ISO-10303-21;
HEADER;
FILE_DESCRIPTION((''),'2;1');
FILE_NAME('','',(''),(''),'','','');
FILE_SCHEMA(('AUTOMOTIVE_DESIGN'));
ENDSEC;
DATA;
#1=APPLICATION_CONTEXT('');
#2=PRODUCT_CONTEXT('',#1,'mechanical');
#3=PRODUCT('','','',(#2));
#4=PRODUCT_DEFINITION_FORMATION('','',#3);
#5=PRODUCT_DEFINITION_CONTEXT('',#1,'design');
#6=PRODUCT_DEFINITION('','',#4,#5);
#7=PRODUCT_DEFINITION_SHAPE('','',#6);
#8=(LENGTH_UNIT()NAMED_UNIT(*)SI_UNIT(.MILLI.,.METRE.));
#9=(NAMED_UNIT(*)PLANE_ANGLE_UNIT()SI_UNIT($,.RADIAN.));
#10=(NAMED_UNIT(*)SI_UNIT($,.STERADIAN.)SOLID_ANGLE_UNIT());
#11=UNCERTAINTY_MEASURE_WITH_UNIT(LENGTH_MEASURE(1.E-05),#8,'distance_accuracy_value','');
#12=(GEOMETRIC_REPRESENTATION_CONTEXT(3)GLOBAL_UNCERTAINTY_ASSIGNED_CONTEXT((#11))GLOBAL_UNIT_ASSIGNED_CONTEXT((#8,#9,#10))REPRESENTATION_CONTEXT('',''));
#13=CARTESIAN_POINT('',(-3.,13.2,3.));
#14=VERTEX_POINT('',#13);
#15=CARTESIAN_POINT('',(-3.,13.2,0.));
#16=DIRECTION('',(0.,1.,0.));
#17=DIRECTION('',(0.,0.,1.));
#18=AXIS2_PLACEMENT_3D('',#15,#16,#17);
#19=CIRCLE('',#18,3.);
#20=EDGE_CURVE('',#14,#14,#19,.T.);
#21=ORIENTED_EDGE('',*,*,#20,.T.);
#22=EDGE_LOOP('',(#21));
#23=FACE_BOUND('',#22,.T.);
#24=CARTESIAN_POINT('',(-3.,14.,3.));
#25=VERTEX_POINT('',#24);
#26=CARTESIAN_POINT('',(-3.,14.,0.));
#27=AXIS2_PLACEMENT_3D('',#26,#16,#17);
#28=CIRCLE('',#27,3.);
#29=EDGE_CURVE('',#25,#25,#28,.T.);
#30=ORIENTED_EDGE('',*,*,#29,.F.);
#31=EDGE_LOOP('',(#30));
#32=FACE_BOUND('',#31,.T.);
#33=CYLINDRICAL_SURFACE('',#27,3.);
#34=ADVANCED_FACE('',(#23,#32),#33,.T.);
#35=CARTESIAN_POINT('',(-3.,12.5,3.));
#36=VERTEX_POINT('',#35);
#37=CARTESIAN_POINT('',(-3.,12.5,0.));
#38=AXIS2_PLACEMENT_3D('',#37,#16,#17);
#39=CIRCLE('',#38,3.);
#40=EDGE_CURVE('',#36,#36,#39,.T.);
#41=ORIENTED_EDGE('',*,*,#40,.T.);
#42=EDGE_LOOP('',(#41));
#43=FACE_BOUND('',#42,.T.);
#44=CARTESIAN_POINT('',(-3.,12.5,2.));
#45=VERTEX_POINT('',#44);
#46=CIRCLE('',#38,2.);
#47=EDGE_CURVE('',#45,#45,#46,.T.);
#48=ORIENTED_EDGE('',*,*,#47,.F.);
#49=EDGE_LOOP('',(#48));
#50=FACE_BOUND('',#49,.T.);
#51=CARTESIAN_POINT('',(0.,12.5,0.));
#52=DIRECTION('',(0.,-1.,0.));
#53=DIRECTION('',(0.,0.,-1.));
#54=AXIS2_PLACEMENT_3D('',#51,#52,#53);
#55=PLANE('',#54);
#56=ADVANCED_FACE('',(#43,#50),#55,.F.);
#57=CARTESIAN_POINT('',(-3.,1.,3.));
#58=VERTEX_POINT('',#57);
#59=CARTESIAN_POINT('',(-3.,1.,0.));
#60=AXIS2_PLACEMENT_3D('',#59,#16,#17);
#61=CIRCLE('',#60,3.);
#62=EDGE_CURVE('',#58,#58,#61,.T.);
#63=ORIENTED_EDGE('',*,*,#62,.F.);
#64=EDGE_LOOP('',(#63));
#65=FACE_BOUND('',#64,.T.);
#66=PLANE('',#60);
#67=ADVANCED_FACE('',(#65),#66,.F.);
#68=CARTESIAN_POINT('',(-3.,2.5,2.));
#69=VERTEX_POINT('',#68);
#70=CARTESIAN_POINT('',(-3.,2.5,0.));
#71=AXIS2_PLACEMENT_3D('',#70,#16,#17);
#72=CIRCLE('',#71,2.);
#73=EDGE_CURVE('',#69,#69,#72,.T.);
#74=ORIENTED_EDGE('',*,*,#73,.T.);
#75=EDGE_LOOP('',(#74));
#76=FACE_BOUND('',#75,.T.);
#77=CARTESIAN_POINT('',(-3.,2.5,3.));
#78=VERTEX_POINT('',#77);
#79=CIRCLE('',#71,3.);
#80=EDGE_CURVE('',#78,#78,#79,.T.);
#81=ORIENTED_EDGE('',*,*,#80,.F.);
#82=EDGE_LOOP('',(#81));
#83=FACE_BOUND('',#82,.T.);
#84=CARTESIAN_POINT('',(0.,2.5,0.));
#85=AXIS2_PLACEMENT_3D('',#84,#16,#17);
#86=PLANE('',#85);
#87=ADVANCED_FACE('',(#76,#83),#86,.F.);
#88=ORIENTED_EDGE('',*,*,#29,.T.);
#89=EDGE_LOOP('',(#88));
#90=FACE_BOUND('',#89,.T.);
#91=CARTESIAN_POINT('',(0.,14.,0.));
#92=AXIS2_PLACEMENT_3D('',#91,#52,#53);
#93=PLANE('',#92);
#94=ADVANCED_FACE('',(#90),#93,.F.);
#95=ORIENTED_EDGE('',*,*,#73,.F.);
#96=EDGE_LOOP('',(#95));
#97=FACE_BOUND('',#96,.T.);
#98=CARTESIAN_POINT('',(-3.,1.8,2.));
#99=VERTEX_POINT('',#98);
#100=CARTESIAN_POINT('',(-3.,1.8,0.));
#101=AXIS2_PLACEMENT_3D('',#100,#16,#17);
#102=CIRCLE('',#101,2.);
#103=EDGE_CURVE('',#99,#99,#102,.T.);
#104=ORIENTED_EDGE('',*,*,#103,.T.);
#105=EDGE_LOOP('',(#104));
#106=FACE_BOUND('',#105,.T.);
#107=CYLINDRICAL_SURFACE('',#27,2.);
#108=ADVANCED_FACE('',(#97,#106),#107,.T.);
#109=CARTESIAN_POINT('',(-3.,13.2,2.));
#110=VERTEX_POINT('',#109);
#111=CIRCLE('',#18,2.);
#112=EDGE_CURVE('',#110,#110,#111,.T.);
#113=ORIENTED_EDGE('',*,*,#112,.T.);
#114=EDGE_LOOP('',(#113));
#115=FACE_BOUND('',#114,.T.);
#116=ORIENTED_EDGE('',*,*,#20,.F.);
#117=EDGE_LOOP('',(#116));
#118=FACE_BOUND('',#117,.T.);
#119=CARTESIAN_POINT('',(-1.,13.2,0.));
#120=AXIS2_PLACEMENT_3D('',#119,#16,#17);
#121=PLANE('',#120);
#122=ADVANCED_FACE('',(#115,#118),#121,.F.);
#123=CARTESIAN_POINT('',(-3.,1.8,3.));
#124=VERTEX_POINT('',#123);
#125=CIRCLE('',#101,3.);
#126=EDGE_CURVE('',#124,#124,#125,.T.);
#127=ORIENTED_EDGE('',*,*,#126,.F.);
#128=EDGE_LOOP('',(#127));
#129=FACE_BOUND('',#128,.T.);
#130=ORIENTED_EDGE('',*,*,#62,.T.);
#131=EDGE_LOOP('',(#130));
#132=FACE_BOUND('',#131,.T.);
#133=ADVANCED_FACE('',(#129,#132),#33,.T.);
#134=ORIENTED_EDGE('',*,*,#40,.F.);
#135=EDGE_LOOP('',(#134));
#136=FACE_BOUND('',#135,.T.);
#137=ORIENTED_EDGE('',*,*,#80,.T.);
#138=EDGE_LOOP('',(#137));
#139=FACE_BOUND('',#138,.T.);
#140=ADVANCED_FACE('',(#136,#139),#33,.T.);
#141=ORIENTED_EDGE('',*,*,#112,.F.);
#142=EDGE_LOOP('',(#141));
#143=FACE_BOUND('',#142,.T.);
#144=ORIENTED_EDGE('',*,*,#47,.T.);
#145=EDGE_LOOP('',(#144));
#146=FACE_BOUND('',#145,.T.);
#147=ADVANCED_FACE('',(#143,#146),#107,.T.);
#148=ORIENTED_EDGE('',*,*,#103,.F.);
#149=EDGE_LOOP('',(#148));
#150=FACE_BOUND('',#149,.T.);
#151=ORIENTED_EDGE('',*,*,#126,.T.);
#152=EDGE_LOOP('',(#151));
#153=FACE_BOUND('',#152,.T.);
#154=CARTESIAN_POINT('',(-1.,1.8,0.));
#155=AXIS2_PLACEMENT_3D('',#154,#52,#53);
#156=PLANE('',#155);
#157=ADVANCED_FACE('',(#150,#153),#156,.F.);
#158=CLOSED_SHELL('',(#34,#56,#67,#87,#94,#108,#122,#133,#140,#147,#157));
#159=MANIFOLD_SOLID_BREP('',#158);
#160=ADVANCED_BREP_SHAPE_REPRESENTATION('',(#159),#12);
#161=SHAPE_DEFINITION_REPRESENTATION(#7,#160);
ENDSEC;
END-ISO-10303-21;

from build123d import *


with BuildPart() as part:
    # Sketch1 → Revolve1 (revolve)
    with BuildSketch(Plane.XY, mode=Mode.PRIVATE) as revolve1_sk:
        Polygon((0, 2.5), (0, 12.5), (-1, 12.5), (-1, 13.2), (0, 13.2), (0, 14), (-3, 14), (-3, 1), (0, 1), (0, 1.8), (-1, 1.8), (-1, 2.5), align=None)
    revolve(revolve1_sk.sketch.rotate(Axis((-3, 14, 0), (0, -1, 0)), 90), axis=Axis((-3, 14, 0), (0, -1, 0)))


solid = part.part
